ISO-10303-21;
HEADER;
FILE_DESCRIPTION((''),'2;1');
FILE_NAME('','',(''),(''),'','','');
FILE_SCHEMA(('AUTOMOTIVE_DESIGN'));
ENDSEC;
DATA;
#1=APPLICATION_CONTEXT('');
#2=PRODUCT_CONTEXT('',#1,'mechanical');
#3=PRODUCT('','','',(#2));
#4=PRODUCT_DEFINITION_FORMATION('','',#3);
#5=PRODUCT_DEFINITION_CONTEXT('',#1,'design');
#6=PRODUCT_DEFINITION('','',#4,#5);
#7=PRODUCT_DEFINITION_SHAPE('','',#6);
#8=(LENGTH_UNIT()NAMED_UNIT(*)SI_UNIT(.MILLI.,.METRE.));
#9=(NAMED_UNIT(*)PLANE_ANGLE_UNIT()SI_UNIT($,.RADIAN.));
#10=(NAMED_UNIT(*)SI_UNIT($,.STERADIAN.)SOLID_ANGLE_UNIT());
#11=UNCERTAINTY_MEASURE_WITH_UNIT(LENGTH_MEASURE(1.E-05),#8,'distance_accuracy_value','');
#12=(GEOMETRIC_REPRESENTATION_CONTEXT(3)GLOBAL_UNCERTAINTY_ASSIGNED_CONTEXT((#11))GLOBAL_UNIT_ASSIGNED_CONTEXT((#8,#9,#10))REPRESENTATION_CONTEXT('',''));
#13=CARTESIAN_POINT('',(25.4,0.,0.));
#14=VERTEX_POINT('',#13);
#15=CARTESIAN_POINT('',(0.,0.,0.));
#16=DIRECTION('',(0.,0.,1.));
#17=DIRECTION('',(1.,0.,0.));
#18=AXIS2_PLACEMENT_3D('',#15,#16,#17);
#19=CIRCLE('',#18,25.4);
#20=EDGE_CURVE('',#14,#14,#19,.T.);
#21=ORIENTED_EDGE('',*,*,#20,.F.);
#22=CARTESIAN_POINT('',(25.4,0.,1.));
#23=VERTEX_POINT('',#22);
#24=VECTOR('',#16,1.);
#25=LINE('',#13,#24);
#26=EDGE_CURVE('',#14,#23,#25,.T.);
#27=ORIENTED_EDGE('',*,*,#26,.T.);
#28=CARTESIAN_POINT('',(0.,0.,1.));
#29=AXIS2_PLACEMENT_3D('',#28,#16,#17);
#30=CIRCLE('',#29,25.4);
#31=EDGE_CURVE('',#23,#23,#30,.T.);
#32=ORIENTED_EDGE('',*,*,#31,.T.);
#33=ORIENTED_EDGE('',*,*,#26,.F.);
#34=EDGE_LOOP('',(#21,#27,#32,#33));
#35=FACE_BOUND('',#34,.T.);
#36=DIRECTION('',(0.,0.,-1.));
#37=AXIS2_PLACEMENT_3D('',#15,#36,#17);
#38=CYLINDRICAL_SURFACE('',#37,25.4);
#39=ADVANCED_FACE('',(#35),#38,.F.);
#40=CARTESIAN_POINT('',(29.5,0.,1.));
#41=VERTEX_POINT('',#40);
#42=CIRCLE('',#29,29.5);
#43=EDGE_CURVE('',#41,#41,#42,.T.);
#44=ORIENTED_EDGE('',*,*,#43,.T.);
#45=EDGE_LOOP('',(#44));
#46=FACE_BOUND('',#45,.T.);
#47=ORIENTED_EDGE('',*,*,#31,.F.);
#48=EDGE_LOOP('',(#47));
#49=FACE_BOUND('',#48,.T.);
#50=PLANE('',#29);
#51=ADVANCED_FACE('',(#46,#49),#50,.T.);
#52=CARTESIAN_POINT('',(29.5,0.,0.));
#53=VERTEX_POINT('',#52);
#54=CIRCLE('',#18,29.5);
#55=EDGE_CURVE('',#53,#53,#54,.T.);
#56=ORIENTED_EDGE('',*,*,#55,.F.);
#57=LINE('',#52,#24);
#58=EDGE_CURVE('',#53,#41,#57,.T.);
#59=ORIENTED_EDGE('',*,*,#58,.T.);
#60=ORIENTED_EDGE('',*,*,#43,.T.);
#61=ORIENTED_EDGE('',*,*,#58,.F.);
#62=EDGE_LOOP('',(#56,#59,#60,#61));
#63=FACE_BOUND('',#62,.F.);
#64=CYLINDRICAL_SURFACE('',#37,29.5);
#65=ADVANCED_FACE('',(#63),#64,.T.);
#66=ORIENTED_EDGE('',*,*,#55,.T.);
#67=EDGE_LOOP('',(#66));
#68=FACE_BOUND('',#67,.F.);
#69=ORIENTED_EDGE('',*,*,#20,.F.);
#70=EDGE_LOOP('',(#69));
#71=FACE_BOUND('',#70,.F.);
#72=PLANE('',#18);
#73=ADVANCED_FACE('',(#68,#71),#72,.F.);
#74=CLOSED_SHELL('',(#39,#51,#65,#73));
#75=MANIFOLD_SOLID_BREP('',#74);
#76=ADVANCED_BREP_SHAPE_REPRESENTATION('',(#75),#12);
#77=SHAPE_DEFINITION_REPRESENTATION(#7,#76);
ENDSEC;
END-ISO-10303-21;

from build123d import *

# Parameters (mm, degrees)
SKETCH_R   = 29.5
SKETCH_R_2 = 25.4
PAD_DEPTH  = 1


with BuildPart() as part:
    # Sketch → Pad (new body)
    with BuildSketch(Plane.XY):
        Circle(SKETCH_R)
        Circle(SKETCH_R_2, mode=Mode.SUBTRACT)
    extrude(amount=PAD_DEPTH)


solid = part.part
